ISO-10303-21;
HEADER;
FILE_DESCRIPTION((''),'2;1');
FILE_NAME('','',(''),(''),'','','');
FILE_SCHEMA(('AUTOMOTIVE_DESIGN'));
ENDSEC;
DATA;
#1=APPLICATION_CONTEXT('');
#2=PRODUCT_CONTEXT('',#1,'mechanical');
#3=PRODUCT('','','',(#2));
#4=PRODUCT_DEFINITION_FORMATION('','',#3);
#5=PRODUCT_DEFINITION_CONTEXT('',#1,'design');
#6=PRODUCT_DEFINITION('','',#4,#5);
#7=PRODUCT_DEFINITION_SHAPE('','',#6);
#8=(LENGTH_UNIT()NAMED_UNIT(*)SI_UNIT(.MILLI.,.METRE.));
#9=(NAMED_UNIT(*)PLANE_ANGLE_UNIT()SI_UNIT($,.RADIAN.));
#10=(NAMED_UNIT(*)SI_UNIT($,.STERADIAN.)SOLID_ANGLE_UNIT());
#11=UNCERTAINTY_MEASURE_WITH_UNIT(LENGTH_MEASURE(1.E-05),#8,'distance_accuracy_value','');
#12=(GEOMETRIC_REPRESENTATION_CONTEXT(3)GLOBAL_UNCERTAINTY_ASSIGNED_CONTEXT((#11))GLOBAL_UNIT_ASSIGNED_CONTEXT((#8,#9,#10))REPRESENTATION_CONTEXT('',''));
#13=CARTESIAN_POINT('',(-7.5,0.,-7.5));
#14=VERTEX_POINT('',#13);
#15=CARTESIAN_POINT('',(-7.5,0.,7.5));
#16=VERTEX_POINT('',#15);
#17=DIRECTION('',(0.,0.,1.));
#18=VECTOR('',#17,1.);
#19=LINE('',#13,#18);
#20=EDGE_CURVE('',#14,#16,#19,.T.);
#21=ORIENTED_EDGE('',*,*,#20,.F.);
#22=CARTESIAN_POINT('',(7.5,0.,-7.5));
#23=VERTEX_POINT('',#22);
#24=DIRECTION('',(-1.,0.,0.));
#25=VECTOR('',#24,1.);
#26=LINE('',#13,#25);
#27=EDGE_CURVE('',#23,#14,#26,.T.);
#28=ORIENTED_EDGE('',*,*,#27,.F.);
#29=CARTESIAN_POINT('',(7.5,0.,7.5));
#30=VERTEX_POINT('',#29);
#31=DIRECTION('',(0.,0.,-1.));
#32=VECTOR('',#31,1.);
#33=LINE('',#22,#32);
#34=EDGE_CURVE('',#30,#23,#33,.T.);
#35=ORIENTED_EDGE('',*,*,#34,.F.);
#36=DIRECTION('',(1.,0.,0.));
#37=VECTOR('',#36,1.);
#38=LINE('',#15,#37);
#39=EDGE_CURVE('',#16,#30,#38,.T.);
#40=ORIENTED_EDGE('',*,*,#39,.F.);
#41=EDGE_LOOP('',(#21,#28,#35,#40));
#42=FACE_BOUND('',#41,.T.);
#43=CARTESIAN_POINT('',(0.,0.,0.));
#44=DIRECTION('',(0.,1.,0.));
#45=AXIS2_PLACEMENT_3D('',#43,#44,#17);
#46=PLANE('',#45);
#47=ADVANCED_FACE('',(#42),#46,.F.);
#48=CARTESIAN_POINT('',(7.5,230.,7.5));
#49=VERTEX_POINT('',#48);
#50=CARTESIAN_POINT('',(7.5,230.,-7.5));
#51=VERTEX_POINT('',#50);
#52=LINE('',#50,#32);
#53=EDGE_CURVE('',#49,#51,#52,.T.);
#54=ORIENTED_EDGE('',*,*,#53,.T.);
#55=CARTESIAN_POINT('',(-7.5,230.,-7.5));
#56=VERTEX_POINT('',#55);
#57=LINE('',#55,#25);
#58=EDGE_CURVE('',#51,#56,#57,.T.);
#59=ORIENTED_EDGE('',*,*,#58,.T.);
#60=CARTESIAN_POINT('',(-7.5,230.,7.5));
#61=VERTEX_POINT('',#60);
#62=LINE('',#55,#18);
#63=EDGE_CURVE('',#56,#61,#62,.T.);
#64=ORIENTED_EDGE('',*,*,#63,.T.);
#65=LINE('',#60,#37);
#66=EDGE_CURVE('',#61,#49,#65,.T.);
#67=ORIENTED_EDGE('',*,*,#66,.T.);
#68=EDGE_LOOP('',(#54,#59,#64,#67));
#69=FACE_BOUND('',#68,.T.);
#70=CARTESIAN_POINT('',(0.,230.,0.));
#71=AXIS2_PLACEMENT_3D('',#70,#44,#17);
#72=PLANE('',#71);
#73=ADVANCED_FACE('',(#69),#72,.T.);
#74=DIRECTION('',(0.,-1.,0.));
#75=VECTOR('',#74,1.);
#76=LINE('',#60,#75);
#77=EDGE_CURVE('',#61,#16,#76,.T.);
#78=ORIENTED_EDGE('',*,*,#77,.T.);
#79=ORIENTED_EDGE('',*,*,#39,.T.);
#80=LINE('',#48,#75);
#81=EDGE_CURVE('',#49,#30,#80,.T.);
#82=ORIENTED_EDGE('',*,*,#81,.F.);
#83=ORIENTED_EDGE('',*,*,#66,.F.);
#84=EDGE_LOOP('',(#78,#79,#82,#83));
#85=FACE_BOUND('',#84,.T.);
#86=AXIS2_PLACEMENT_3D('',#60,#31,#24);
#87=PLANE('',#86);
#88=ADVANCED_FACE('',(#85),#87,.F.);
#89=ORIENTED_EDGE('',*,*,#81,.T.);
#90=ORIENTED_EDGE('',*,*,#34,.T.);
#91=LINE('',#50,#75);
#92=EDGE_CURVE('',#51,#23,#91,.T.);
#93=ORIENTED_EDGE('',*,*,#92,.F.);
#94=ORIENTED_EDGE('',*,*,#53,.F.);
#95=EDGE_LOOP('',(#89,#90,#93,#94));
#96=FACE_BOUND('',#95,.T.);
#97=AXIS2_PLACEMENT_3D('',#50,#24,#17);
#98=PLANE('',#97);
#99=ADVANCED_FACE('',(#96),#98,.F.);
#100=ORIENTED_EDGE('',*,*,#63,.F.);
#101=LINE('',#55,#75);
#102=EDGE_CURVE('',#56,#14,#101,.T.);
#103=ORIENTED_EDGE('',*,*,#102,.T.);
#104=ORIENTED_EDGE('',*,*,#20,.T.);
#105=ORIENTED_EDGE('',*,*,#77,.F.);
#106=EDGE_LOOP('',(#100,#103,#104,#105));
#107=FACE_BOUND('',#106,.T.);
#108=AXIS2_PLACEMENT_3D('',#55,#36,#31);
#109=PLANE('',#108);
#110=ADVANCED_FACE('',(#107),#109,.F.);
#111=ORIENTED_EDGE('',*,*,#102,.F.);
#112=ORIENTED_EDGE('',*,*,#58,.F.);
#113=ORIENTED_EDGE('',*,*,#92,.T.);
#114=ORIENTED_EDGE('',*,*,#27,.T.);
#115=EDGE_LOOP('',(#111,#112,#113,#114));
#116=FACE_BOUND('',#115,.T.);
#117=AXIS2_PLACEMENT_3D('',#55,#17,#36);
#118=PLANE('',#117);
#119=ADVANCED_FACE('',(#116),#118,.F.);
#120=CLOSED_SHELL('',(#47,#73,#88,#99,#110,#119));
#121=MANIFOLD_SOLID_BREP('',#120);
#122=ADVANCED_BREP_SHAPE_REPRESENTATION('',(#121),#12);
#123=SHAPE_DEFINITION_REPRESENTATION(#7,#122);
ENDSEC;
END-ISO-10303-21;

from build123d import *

# Parameters (mm, degrees)
SKETCH_1_W      = 15
SKETCH_1_H      = 15
EXTRUDE_1_DEPTH = 230


with BuildPart() as part:
    # 草图1 → 凸台-拉伸1 (new body)
    with BuildSketch(Plane(origin=(0, 0, 0), x_dir=(1, 0, 0), z_dir=(0, 1, 0))):
        Rectangle(SKETCH_1_W, SKETCH_1_H)
    extrude(amount=EXTRUDE_1_DEPTH)


solid = part.part
